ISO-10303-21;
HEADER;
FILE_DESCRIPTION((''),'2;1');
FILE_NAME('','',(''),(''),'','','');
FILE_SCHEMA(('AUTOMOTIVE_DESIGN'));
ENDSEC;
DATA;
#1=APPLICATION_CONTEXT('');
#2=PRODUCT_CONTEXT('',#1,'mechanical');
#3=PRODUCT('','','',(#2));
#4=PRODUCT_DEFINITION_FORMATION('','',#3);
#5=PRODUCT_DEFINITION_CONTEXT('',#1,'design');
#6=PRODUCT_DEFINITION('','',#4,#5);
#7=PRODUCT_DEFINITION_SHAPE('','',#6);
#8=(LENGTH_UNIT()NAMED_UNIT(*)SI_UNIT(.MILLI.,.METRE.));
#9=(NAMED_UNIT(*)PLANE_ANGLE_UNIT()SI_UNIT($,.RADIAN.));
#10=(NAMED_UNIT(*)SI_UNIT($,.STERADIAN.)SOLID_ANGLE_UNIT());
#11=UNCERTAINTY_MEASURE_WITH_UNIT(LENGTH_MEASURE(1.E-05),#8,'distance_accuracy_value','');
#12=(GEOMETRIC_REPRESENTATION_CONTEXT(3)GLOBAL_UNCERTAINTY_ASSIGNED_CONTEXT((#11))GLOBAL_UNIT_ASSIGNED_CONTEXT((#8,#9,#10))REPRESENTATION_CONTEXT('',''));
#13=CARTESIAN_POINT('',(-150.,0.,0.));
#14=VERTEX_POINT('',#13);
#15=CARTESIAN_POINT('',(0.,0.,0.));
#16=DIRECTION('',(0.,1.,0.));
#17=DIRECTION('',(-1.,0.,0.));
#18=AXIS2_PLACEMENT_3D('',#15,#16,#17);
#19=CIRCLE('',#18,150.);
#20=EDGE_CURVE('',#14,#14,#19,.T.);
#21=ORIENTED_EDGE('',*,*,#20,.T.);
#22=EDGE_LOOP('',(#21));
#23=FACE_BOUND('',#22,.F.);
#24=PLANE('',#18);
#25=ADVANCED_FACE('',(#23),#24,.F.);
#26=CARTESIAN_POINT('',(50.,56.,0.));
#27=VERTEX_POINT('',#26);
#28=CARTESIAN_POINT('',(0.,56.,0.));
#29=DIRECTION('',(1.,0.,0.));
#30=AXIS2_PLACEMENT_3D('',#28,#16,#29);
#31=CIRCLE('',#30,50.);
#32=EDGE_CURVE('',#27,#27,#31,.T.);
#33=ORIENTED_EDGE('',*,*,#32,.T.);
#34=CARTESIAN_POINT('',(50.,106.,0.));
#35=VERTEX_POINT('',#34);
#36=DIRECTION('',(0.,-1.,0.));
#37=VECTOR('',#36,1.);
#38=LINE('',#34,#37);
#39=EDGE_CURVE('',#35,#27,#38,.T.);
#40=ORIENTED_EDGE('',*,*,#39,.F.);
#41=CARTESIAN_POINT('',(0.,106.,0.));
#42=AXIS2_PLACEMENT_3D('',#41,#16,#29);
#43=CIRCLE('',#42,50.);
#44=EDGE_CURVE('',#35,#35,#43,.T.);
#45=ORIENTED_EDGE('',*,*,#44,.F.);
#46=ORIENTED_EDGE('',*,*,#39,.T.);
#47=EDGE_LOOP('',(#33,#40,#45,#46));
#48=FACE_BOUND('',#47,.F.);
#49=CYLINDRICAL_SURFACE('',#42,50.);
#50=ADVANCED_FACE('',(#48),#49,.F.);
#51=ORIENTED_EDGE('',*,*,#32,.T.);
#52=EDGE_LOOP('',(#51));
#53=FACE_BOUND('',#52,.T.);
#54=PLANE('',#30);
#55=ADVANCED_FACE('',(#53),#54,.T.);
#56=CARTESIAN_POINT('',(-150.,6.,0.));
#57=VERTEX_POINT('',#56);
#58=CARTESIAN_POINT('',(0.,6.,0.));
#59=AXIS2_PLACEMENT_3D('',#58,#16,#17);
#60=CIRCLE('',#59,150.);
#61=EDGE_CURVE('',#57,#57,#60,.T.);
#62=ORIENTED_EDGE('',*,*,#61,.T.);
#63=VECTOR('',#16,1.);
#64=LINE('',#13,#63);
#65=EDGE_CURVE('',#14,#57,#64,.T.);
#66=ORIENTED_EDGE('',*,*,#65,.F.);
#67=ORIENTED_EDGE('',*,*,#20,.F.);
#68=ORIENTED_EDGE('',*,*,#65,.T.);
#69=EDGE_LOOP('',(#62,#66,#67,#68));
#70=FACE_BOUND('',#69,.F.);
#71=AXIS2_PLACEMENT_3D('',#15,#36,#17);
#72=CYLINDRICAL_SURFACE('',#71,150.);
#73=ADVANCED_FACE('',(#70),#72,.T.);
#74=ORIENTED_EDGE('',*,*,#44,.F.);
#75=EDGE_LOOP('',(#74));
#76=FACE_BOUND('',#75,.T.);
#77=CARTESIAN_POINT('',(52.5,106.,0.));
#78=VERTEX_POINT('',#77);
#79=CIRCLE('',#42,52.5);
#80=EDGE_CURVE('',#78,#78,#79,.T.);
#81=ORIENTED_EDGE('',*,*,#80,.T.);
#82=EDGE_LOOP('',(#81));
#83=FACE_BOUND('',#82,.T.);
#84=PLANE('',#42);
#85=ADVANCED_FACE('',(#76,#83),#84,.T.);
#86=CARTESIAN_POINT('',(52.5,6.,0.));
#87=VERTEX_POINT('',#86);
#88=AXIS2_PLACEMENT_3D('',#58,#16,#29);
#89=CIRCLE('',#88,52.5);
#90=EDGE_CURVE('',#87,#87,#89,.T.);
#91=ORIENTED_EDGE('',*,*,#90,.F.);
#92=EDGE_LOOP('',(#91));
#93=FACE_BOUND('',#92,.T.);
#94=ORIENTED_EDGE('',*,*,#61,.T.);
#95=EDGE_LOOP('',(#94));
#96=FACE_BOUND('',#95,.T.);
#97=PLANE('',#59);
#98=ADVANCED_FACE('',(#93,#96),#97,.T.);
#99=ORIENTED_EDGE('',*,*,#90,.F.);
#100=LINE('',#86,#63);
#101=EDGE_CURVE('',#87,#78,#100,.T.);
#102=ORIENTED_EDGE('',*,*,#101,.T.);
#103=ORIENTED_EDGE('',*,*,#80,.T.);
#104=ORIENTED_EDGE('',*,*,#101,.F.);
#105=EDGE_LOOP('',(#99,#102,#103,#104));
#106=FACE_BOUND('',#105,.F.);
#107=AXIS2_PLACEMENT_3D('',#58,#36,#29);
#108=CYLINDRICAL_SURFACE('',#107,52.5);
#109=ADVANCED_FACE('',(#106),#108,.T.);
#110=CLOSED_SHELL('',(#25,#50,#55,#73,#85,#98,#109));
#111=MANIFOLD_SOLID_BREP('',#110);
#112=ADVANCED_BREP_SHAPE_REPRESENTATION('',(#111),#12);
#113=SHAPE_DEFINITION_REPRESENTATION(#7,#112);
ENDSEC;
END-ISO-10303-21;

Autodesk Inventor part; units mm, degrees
ref_plane "YZ Plane" through (0, 0, 0) normal (1, 0, 0) x (0, 1, 0)
ref_plane "XZ Plane" through (0, 0, 0) normal (0, 1, 0) x (-1, 0, 0)
ref_plane "XY Plane" through (0, 0, 0) normal (0, 0, 1) x (1, 0, 0)
sketch "Sketch1" plane through (0, 0, 0) normal (0, 1, 0) x (-1, 0, 0)
  circle A0 centre (0, 0) radius 150
  dimension "d0" = 300
extrude "Extrusion1" add sketch "Sketch1" along normal blind 6
sketch "Sketch2" plane through (0, 6, 0) normal (0, 1, 0) x (1, 0, 0)
  circle A0 centre (0, 0) radius 52.5
  dimension "d3" = 105
extrude "Extrusion2" add sketch "Sketch2" along normal blind 100
sketch "Sketch3" plane through (0, 106, 0) normal (0, 1, 0) x (1, 0, 0)
  circle A0 centre (0, 0) radius 50
  dimension "d6" = 100
extrude "Extrusion3" cut sketch "Sketch3" against normal blind 50
properties part number "pipehead"
